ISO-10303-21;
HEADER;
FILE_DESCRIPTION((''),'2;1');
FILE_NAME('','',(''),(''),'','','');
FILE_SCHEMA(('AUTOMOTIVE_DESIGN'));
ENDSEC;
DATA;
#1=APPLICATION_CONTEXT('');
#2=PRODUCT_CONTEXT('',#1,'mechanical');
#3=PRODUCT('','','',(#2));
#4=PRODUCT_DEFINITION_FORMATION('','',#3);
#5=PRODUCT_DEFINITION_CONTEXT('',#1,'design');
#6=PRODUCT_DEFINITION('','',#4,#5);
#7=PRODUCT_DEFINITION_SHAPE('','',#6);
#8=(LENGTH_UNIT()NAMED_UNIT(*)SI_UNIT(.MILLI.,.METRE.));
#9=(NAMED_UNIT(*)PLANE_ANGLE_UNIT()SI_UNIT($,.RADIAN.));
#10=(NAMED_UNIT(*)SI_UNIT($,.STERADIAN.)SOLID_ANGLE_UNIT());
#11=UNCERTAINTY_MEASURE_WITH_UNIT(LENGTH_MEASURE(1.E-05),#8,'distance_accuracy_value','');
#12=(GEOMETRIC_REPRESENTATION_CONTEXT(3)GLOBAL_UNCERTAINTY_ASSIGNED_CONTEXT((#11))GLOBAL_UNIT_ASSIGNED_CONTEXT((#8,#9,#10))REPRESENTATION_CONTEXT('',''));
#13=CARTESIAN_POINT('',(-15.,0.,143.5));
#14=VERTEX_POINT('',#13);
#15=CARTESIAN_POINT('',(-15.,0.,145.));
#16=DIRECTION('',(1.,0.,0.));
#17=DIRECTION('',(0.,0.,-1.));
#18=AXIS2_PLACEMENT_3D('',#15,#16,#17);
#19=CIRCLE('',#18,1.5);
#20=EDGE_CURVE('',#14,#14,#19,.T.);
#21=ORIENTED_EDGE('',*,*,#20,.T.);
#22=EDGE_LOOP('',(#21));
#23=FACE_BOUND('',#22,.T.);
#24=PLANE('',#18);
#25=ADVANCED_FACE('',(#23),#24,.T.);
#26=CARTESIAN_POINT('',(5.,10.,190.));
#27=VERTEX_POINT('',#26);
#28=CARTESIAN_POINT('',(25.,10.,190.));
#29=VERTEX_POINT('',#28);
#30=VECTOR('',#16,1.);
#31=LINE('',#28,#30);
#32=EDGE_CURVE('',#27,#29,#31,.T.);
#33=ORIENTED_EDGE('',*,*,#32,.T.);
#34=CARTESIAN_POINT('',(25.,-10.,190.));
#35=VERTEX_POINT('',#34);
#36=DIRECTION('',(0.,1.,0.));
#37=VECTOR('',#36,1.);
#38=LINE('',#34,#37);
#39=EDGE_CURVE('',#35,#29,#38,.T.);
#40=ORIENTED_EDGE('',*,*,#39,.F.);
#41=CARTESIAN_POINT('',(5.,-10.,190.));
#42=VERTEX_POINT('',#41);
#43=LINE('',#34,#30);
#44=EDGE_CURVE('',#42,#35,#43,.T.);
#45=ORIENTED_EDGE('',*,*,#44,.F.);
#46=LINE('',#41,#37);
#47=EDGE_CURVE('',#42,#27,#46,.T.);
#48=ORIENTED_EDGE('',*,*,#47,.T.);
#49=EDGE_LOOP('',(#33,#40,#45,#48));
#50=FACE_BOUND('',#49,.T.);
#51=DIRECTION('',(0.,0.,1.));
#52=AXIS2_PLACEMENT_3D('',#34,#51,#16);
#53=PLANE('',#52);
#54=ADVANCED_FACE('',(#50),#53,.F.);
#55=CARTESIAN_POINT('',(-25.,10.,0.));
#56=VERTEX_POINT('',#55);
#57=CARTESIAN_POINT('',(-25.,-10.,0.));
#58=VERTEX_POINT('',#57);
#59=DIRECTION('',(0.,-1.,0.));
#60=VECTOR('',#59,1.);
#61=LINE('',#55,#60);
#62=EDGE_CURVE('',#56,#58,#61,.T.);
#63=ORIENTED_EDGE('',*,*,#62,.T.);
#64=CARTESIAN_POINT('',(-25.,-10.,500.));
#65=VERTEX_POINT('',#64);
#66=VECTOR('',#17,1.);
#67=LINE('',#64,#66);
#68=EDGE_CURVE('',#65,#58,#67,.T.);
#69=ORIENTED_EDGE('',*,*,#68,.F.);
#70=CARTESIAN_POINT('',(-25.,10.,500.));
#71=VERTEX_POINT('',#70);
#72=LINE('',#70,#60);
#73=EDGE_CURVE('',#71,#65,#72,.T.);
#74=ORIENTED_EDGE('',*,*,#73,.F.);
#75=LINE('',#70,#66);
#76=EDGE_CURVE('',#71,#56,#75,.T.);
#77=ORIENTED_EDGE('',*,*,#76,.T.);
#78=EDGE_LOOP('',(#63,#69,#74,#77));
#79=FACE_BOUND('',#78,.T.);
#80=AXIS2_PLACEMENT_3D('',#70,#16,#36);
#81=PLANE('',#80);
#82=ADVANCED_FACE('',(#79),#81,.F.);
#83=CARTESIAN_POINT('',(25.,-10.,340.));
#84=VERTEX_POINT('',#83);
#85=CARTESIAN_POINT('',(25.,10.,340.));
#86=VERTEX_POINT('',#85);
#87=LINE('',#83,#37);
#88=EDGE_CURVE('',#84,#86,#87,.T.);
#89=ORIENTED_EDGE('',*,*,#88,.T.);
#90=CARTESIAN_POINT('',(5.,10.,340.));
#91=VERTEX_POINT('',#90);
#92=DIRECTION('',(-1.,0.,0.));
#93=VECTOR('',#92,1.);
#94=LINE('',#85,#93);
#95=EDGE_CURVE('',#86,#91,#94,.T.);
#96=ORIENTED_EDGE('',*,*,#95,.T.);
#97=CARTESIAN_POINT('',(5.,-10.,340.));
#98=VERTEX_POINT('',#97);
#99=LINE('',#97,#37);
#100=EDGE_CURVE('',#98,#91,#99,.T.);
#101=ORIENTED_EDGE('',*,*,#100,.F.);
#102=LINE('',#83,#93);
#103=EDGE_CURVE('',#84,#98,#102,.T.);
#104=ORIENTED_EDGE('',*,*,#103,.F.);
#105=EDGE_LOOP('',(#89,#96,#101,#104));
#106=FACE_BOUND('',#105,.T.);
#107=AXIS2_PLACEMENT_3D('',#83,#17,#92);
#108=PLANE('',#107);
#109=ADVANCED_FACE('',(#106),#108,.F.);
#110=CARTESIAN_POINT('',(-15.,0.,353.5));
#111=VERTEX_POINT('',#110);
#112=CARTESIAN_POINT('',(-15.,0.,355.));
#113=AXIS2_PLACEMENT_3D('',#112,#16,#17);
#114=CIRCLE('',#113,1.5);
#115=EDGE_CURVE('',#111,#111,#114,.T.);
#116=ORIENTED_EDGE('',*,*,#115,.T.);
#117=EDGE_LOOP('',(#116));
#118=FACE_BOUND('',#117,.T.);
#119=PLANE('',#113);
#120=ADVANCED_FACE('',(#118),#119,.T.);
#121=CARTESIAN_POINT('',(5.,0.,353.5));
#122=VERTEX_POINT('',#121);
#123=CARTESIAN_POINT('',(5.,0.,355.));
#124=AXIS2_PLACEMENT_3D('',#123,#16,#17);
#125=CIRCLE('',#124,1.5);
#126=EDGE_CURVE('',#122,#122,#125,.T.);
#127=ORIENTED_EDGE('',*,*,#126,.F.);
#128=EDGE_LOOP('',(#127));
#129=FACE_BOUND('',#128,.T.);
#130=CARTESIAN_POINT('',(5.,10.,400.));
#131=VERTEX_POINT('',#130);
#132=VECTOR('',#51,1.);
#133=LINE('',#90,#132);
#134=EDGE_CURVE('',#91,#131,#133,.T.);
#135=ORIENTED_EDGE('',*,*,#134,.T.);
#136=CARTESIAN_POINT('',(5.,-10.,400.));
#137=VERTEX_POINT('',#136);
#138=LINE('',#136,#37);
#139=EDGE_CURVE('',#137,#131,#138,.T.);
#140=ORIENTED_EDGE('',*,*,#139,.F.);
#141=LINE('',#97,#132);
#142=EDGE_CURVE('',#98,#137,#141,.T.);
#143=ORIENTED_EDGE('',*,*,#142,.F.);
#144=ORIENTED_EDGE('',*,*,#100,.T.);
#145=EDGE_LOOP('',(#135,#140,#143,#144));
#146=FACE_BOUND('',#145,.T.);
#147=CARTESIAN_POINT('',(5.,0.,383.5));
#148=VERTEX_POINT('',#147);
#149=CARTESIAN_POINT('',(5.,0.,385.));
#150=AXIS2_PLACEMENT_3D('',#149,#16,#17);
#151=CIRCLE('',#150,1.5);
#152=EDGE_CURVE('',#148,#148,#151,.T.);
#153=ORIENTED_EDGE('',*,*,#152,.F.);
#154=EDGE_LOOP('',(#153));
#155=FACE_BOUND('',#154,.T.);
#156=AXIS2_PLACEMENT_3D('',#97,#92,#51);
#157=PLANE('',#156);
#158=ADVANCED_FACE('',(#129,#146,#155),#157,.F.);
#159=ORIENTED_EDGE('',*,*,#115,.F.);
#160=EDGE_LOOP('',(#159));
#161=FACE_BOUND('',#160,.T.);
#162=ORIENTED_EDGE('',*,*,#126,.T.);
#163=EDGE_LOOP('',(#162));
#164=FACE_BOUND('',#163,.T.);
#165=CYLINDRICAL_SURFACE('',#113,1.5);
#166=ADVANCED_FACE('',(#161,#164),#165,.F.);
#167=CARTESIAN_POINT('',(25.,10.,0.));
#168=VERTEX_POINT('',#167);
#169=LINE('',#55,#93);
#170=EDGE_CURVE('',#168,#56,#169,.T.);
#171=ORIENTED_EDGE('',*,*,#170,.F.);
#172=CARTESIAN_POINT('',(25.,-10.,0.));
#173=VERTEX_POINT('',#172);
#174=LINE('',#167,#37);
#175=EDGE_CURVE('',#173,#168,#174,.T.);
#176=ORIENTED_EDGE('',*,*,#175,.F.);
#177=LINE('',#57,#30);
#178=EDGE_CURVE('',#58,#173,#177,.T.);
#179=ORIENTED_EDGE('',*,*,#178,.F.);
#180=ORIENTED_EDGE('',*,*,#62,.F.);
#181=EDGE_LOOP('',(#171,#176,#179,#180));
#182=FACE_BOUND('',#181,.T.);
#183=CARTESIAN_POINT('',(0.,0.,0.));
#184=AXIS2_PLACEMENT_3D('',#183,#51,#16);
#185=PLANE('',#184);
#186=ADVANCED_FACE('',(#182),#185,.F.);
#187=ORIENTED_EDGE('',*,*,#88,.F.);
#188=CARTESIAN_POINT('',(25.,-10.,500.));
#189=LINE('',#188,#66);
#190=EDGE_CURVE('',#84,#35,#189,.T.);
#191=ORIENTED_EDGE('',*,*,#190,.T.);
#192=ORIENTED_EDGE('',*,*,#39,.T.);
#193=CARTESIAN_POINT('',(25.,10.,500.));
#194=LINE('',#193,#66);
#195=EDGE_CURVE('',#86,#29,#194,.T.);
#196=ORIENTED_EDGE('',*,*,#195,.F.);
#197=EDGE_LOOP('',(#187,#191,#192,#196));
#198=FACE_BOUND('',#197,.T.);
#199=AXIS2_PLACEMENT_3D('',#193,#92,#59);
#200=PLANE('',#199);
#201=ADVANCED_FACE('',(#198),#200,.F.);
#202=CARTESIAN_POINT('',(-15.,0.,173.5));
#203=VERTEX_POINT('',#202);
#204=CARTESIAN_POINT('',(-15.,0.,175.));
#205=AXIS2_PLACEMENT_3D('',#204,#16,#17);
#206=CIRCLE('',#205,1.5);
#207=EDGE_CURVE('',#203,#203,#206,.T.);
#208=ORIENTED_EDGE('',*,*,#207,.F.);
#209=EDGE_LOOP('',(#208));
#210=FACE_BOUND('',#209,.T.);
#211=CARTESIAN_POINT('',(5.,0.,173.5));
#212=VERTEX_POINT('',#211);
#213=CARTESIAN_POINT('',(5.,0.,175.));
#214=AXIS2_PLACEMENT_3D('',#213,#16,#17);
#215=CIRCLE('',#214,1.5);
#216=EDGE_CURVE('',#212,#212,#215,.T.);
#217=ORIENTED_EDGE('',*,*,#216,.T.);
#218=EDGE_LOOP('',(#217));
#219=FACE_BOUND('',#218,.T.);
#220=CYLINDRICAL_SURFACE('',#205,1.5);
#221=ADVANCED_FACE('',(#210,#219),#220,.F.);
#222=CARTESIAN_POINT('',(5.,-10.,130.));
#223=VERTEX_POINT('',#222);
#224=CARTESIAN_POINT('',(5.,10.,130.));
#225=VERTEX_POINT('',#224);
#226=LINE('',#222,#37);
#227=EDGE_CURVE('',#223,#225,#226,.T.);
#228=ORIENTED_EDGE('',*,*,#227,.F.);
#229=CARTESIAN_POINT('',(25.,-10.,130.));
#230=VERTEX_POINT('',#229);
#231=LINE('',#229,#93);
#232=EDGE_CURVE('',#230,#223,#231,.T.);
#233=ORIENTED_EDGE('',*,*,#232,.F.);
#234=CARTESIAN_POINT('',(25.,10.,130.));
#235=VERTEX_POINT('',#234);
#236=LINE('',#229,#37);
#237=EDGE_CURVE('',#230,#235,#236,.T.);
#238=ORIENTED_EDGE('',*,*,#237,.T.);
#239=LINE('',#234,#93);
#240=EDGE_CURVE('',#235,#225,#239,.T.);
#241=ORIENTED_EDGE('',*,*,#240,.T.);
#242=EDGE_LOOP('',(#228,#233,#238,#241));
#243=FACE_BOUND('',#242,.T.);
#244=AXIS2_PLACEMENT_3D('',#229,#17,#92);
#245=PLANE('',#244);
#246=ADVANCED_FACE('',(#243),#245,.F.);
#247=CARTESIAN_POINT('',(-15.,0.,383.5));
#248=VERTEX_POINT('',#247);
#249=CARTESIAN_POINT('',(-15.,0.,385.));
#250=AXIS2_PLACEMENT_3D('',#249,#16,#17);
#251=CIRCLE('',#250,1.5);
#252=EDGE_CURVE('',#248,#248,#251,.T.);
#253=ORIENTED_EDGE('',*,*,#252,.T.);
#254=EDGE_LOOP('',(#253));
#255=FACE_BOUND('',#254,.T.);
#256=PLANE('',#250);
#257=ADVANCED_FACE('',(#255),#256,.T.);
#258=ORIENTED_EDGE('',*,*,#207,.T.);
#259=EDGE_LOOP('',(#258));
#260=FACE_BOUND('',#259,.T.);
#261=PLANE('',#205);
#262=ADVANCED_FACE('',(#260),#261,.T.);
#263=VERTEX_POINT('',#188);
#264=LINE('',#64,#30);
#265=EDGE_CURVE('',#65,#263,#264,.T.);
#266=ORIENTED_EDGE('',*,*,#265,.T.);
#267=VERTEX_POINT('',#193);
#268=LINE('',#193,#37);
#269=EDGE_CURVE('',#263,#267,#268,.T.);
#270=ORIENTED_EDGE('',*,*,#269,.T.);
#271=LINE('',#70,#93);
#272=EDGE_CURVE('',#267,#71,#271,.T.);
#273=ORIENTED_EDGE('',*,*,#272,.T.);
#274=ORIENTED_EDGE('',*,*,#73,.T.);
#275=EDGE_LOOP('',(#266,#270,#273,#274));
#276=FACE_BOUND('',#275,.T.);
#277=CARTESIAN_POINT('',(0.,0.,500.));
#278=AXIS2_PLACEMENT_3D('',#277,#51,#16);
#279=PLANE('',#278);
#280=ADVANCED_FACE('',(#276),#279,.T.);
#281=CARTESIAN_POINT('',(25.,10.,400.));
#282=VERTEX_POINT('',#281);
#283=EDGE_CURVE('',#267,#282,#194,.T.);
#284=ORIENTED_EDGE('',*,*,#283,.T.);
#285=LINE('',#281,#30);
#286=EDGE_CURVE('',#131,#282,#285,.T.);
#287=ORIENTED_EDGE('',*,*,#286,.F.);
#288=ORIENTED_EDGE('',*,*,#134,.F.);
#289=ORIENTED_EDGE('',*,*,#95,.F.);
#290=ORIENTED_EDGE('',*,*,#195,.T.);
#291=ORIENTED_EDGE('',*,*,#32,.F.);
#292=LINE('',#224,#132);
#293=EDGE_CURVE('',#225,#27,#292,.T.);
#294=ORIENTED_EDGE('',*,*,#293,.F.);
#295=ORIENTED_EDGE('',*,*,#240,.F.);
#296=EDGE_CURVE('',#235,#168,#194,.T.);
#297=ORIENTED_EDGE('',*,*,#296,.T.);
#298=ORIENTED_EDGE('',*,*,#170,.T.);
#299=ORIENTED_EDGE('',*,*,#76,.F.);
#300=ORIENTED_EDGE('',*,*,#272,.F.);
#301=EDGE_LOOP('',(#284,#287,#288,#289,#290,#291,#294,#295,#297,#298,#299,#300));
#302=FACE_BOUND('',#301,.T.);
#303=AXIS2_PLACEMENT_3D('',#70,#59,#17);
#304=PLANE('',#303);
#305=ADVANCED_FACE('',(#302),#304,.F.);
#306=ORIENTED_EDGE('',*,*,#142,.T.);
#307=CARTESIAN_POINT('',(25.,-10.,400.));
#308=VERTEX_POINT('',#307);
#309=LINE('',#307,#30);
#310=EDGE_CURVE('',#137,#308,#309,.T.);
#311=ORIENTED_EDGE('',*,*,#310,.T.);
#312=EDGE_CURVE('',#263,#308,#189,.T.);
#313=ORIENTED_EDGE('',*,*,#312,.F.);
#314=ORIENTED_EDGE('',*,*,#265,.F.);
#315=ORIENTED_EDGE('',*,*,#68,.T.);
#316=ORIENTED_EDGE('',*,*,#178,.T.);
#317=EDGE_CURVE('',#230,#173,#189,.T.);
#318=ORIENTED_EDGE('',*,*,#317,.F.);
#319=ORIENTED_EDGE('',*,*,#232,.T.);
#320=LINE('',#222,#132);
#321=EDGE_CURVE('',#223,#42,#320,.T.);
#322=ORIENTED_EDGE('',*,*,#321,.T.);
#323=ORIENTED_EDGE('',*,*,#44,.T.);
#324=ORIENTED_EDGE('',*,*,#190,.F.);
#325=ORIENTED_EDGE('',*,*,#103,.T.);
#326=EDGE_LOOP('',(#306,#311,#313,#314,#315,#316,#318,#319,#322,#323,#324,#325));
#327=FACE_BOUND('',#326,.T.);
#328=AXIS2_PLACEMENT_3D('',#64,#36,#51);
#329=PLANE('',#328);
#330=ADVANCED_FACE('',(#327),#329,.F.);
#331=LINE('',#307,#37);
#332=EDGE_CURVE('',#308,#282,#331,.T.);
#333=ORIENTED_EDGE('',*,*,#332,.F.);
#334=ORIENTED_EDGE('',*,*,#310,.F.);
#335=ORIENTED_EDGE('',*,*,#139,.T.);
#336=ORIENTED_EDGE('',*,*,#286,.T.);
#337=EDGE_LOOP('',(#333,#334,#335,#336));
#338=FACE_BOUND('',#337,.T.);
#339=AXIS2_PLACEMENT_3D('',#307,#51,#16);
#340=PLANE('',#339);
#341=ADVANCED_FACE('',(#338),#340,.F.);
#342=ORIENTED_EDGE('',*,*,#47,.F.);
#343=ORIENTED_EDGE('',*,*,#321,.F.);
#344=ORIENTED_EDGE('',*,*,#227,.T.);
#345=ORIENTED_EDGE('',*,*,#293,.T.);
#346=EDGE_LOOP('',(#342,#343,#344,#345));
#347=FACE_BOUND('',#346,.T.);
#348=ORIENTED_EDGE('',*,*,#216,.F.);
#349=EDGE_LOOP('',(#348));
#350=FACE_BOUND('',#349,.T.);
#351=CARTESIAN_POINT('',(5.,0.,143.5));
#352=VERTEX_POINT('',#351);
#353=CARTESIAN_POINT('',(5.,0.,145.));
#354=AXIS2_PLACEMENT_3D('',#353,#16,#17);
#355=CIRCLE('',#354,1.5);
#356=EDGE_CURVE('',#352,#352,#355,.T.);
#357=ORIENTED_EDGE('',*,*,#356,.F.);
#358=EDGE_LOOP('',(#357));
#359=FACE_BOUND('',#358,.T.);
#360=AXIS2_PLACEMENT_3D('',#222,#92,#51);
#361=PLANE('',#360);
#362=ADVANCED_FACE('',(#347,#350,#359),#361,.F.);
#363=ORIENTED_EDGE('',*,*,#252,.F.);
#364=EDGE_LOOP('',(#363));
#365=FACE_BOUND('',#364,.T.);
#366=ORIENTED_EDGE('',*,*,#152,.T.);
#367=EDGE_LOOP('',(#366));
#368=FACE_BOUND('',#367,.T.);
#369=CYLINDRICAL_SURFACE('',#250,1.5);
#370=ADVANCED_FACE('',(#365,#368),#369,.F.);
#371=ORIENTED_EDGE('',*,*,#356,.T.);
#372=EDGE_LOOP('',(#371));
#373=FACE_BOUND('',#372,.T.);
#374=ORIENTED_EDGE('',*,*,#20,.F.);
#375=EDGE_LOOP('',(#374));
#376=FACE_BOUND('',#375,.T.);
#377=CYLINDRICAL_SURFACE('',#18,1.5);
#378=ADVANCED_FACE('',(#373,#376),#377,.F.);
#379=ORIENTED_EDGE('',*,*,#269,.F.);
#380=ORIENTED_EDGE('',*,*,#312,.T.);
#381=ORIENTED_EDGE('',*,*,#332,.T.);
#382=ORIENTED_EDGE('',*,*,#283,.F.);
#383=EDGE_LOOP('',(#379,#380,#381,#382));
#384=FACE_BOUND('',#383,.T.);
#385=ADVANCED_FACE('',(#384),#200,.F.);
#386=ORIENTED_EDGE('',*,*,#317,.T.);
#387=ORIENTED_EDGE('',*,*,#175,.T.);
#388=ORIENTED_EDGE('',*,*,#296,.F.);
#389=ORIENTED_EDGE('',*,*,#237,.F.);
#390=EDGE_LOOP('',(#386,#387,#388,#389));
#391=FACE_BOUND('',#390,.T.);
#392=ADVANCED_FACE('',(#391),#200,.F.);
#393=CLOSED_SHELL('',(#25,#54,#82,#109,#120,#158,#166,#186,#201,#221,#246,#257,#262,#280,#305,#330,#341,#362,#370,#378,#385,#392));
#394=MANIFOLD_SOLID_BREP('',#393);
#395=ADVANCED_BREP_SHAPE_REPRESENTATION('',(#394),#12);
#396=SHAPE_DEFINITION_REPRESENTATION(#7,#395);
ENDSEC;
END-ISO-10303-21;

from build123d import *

# Parameters (mm, degrees)
SKIZZE1_W                       = 50
SKIZZE1_H                       = 20
AUFSATZ_LINEAR_AUSTRAGEN1_DEPTH = 500
SKIZZE2_W                       = 20
SKIZZE2_H                       = 60
SCHNITT_LINEAR_AUSTRAGEN1_DEPTH = 502.023951523
SKIZZE3_R                       = 1.5
SCHNITT_LINEAR_AUSTRAGEN2_DEPTH = 20


with BuildPart() as part:
    # Skizze1 → Aufsatz-Linear austragen1 (new body)
    with BuildSketch(Plane.XY):
        Rectangle(SKIZZE1_W, SKIZZE1_H)
    extrude(amount=AUFSATZ_LINEAR_AUSTRAGEN1_DEPTH)

    # Skizze2 → Schnitt-Linear austragen1 (cut, through all)
    with BuildSketch(Plane(origin=(0, 10, 0), x_dir=(1, 0, 0), z_dir=(0, 1, 0))):
        with Locations((15, -370)):
            Rectangle(SKIZZE2_W, SKIZZE2_H)
        with Locations((15, -160)):
            Rectangle(SKIZZE2_W, SKIZZE2_H)
    extrude(amount=-SCHNITT_LINEAR_AUSTRAGEN1_DEPTH, mode=Mode.SUBTRACT)

    # Skizze3 → Schnitt-Linear austragen2 (cut)
    with BuildSketch(Plane(origin=(5, 0, 0), x_dir=(0, 0, -1), z_dir=(1, 0, 0))):
        with Locations((-385, 0)):
            Circle(SKIZZE3_R)
        with Locations((-355, 0)):
            Circle(SKIZZE3_R)
        with Locations((-175, 0)):
            Circle(SKIZZE3_R)
        with Locations((-145, 0)):
            Circle(SKIZZE3_R)
    extrude(amount=-SCHNITT_LINEAR_AUSTRAGEN2_DEPTH, mode=Mode.SUBTRACT)


solid = part.part
